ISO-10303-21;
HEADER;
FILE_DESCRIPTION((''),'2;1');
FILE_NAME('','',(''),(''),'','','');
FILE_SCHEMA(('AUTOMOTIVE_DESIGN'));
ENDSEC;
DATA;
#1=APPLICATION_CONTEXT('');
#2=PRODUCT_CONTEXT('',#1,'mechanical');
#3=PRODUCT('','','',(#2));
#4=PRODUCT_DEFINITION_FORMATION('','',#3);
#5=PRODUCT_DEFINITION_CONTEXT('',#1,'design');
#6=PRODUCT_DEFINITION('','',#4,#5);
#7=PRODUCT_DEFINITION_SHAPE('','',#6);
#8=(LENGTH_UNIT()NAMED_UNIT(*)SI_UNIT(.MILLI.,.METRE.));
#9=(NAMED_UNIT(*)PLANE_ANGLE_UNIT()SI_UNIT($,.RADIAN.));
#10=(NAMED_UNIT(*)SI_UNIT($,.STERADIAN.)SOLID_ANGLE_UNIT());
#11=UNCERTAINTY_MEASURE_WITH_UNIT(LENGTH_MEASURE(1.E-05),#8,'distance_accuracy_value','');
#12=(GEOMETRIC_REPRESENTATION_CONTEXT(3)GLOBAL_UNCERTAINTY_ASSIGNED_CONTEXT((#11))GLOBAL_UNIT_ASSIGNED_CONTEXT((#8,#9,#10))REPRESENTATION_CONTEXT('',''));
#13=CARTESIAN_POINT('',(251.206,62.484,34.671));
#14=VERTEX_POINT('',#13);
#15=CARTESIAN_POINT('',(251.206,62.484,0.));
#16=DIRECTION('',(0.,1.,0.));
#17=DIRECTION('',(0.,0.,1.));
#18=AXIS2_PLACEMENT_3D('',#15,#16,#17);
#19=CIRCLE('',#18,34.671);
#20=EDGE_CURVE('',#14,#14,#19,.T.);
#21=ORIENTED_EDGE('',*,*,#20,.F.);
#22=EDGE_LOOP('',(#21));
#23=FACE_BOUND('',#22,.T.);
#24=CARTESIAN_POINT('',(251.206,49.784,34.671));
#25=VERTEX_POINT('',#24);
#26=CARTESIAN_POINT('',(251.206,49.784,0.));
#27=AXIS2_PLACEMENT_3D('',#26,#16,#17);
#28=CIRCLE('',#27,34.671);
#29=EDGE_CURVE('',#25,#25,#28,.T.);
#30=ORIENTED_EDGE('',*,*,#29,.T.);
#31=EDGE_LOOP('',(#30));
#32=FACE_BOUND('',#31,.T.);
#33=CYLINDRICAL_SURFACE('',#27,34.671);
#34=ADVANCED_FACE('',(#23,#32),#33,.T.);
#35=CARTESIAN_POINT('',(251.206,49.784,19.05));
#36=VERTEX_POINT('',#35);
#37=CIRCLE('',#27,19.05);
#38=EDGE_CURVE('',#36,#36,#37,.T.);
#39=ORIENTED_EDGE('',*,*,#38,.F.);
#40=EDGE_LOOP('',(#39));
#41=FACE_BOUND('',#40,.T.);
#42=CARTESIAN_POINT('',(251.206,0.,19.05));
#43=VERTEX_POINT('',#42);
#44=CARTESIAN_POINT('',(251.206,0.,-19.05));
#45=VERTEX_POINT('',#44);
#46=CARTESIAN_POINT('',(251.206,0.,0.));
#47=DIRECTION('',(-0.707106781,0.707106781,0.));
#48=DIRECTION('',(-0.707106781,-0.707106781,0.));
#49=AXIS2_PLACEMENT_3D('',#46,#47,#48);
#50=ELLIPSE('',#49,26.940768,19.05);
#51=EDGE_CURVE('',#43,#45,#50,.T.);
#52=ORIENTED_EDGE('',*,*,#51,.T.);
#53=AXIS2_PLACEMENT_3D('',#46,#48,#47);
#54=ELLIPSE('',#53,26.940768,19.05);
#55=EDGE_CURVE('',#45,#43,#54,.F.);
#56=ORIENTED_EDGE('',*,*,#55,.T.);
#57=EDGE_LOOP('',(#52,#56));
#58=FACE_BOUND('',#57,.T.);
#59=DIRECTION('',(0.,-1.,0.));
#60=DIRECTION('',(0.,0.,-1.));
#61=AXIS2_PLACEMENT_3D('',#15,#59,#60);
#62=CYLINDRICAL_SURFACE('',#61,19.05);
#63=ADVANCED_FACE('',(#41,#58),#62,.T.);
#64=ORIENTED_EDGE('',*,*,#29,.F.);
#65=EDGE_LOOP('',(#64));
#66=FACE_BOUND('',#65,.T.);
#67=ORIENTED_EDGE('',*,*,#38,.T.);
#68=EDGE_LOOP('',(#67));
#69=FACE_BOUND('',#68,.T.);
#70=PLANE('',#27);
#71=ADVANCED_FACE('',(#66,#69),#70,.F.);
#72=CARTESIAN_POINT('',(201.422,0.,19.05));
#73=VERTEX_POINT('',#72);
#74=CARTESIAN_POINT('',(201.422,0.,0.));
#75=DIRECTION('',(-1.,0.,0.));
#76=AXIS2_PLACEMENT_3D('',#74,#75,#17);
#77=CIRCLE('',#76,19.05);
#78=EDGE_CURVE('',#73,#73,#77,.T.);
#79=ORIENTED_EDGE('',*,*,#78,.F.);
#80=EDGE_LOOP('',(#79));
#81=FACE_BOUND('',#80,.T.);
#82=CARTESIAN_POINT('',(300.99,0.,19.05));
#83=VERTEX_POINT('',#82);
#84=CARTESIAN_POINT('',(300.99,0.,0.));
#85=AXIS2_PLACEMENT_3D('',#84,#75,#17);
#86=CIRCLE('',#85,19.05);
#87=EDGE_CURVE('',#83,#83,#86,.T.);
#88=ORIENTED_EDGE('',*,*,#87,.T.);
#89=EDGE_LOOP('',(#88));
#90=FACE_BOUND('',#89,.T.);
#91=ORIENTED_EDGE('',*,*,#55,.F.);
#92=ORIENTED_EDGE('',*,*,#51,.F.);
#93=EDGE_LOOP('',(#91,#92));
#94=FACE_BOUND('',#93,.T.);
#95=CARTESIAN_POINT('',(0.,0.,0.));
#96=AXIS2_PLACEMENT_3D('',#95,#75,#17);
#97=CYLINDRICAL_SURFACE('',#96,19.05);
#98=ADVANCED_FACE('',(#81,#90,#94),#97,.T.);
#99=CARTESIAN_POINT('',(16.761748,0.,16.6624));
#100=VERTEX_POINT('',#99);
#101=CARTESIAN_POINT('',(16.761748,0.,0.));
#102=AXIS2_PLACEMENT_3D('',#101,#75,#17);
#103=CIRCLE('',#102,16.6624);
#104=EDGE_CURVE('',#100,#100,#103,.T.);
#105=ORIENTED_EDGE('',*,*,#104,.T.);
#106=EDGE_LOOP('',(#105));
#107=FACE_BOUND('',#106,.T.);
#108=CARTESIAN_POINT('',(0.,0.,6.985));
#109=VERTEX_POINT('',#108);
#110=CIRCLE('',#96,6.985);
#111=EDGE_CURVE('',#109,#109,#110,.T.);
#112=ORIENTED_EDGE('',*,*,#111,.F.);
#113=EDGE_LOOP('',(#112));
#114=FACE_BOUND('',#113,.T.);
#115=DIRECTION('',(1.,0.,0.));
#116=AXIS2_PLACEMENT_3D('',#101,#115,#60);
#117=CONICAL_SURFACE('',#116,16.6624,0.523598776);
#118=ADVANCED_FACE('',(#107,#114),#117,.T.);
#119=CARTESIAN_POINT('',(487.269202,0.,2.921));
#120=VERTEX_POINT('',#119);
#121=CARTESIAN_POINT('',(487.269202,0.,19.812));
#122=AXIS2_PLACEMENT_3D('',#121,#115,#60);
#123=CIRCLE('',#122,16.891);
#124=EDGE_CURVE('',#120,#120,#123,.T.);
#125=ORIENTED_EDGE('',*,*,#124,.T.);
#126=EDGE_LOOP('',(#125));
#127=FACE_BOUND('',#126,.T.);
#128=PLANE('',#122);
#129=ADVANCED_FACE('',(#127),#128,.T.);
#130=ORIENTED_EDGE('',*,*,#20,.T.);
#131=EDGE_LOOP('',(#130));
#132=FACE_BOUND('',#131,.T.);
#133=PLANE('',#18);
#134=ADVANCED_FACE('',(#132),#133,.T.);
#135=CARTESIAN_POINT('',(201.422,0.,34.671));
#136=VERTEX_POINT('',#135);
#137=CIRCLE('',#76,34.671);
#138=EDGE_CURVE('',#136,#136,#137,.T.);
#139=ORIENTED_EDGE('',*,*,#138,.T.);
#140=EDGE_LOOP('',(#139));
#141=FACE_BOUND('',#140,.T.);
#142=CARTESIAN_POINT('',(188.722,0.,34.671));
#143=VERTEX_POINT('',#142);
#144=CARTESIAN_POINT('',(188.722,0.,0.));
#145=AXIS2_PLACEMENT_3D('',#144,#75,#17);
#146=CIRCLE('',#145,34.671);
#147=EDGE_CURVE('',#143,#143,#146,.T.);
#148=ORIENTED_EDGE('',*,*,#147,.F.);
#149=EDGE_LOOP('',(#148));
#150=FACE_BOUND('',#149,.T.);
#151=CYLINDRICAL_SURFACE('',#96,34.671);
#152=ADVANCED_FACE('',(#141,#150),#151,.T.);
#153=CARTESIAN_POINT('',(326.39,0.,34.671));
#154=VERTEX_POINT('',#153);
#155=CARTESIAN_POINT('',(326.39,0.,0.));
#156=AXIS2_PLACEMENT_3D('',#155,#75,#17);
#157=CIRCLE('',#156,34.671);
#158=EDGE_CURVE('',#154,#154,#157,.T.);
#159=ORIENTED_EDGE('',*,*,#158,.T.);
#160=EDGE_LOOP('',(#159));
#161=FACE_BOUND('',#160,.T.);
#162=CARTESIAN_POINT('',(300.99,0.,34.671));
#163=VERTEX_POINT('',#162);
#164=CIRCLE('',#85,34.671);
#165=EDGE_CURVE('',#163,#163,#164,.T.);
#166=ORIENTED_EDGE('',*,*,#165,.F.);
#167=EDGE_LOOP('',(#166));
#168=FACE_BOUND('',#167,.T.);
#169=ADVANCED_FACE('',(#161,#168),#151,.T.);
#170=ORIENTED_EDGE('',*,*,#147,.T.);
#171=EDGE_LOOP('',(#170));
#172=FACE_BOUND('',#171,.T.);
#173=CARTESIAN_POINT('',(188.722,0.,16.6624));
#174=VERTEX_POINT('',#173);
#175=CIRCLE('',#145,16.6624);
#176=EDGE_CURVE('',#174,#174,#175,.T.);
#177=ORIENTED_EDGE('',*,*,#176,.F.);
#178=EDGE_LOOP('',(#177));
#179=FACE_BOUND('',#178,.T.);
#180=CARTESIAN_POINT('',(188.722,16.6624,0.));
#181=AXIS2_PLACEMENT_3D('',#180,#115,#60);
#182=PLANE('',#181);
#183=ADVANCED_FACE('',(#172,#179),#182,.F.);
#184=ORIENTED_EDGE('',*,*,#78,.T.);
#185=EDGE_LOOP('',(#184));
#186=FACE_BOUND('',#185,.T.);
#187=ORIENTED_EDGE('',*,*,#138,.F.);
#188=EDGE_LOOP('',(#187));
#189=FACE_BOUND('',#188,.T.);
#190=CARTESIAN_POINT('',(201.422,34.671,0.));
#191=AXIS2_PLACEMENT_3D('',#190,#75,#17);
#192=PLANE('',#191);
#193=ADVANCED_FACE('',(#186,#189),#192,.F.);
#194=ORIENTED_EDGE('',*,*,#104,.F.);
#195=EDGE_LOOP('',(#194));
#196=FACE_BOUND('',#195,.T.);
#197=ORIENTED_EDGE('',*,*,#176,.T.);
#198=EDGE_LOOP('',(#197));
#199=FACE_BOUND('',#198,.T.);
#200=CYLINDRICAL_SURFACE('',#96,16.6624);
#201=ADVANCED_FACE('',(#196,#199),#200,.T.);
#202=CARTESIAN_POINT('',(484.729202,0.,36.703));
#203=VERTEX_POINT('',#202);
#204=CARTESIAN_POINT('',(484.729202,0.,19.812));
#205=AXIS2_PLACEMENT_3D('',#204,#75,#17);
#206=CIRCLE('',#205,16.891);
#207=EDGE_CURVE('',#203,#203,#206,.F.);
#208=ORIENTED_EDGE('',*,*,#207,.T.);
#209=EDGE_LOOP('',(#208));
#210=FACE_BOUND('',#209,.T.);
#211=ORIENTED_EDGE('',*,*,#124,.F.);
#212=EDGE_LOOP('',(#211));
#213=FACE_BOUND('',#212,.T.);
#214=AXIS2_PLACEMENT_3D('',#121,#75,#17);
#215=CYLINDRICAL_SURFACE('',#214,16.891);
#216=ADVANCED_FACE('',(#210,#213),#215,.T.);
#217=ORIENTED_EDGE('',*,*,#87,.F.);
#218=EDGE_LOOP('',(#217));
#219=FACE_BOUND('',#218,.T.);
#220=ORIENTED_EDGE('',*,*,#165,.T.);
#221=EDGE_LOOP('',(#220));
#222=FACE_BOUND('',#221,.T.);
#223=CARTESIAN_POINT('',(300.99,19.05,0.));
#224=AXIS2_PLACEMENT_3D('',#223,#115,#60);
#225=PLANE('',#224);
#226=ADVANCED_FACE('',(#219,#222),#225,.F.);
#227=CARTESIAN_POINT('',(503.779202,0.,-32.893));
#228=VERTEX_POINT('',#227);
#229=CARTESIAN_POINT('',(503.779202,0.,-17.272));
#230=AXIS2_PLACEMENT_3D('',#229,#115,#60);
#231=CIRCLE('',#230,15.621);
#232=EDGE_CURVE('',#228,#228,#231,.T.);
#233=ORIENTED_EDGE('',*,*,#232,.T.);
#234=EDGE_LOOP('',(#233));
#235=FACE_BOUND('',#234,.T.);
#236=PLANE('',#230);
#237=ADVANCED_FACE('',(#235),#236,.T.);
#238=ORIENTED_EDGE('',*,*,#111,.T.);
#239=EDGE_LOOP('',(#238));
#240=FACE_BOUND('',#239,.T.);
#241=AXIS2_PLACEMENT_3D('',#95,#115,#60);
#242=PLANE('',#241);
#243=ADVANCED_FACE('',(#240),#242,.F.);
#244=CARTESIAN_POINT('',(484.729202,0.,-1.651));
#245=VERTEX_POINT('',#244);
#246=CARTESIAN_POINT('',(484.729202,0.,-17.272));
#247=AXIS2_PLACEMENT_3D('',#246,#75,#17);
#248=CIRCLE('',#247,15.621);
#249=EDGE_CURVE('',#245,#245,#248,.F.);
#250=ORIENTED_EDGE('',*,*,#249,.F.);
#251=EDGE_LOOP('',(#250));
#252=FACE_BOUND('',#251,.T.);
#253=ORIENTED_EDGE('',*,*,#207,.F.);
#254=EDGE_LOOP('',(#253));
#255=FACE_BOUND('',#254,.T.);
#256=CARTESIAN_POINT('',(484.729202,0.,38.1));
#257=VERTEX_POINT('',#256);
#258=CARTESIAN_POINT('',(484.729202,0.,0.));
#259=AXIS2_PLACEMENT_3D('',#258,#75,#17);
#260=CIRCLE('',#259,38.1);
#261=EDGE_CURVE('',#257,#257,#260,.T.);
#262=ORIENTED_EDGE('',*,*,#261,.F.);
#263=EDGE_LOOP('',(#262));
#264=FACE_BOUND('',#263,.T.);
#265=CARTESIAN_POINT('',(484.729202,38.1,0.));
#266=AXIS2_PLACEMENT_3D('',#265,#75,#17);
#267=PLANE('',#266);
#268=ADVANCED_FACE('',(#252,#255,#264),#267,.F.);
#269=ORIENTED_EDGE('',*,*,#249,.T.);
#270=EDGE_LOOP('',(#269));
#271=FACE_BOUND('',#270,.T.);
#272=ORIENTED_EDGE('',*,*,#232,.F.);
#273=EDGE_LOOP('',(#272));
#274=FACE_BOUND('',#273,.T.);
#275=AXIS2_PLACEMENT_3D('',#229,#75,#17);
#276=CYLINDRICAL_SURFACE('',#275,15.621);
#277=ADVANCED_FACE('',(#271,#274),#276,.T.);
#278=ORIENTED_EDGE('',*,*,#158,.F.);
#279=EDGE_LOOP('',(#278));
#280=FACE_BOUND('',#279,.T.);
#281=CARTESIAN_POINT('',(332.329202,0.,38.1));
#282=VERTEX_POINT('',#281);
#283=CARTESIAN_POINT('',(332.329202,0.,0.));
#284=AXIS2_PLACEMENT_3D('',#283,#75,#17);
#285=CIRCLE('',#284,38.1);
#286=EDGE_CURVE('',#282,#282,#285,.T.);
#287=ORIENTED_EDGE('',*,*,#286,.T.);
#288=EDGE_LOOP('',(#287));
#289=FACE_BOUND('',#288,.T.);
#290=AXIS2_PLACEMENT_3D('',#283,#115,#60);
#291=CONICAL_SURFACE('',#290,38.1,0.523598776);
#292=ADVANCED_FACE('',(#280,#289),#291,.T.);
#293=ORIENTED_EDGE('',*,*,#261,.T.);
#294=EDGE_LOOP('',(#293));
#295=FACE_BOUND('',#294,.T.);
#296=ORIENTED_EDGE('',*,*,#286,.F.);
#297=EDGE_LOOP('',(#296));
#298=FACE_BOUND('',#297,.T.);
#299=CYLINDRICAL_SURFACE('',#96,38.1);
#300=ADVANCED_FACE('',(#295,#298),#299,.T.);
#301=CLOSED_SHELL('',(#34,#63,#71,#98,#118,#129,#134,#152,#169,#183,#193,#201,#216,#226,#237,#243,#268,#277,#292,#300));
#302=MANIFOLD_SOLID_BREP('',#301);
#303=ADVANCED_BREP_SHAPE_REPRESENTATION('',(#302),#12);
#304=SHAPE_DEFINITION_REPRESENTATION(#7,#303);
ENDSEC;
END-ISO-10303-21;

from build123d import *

# Parameters (mm, degrees)
SKETCH2_R           = 19.05
BOSS_EXTRUDE1_DEPTH = 62.484
SKETCH3_R           = 34.671
BOSS_EXTRUDE2_DEPTH = 12.7
SKETCH4_R           = 15.621
BOSS_EXTRUDE3_DEPTH = 19.05
SKETCH5_R           = 16.891
BOSS_EXTRUDE4_DEPTH = 2.54


with BuildPart() as part:
    # Sketch1 → Revolve1 (revolve)
    with BuildSketch(Plane.XY, mode=Mode.PRIVATE) as revolve1_sk:
        Polygon((0, 0), (0, 6.985), (16.761748485, 16.6624), (188.722, 16.6624), (188.722, 34.671), (201.422, 34.671), (201.422, 19.05), (300.99, 19.05), (300.99, 34.671), (326.39, 34.671), (332.329202219, 38.1), (484.729202219, 38.1), (484.729202219, 0), align=None)
    revolve(revolve1_sk.sketch.rotate(Axis((0, 0, 0), (1, 0, 0)), 90), axis=Axis((0, 0, 0), (1, 0, 0)))  # turned: the seam where the file's is

    # Sketch2 → Boss-Extrude1 (add)
    with BuildSketch(Plane(origin=(0, 0, 0), x_dir=(1, 0, 0), z_dir=(0, 1, 0))):
        with Locations(Location((251.206, 0, 0), (0, 0, 270))):  # turned: the seam where the file's is
            Circle(SKETCH2_R)
    extrude(amount=BOSS_EXTRUDE1_DEPTH)

    # Sketch3 → Boss-Extrude2 (add)
    with BuildSketch(Plane(origin=(0, 62.484, 0), x_dir=(1, 0, 0), z_dir=(0, 1, 0))):
        with Locations(Location((251.206, 0, 0), (0, 0, 270))):  # turned: the seam where the file's is
            Circle(SKETCH3_R)
    extrude(amount=-BOSS_EXTRUDE2_DEPTH)

    # Sketch4 → Boss-Extrude3 (add)
    with BuildSketch(Plane(origin=(484.729202219, 0, 0), x_dir=(0, 0, -1), z_dir=(1, 0, 0))):
        with Locations(Location((17.272, 0, 0), (0, 0, 180))):  # turned: the seam where the file's is
            Circle(SKETCH4_R)
    extrude(amount=BOSS_EXTRUDE3_DEPTH)

    # Sketch5 → Boss-Extrude4 (add)
    with BuildSketch(Plane(origin=(484.729202219, 0, 0), x_dir=(0, 0, -1), z_dir=(1, 0, 0))):
        with Locations(Location((-19.812, 0, 0), (0, 0, 180))):  # turned: the seam where the file's is
            Circle(SKETCH5_R)
    extrude(amount=BOSS_EXTRUDE4_DEPTH)


solid = part.part
